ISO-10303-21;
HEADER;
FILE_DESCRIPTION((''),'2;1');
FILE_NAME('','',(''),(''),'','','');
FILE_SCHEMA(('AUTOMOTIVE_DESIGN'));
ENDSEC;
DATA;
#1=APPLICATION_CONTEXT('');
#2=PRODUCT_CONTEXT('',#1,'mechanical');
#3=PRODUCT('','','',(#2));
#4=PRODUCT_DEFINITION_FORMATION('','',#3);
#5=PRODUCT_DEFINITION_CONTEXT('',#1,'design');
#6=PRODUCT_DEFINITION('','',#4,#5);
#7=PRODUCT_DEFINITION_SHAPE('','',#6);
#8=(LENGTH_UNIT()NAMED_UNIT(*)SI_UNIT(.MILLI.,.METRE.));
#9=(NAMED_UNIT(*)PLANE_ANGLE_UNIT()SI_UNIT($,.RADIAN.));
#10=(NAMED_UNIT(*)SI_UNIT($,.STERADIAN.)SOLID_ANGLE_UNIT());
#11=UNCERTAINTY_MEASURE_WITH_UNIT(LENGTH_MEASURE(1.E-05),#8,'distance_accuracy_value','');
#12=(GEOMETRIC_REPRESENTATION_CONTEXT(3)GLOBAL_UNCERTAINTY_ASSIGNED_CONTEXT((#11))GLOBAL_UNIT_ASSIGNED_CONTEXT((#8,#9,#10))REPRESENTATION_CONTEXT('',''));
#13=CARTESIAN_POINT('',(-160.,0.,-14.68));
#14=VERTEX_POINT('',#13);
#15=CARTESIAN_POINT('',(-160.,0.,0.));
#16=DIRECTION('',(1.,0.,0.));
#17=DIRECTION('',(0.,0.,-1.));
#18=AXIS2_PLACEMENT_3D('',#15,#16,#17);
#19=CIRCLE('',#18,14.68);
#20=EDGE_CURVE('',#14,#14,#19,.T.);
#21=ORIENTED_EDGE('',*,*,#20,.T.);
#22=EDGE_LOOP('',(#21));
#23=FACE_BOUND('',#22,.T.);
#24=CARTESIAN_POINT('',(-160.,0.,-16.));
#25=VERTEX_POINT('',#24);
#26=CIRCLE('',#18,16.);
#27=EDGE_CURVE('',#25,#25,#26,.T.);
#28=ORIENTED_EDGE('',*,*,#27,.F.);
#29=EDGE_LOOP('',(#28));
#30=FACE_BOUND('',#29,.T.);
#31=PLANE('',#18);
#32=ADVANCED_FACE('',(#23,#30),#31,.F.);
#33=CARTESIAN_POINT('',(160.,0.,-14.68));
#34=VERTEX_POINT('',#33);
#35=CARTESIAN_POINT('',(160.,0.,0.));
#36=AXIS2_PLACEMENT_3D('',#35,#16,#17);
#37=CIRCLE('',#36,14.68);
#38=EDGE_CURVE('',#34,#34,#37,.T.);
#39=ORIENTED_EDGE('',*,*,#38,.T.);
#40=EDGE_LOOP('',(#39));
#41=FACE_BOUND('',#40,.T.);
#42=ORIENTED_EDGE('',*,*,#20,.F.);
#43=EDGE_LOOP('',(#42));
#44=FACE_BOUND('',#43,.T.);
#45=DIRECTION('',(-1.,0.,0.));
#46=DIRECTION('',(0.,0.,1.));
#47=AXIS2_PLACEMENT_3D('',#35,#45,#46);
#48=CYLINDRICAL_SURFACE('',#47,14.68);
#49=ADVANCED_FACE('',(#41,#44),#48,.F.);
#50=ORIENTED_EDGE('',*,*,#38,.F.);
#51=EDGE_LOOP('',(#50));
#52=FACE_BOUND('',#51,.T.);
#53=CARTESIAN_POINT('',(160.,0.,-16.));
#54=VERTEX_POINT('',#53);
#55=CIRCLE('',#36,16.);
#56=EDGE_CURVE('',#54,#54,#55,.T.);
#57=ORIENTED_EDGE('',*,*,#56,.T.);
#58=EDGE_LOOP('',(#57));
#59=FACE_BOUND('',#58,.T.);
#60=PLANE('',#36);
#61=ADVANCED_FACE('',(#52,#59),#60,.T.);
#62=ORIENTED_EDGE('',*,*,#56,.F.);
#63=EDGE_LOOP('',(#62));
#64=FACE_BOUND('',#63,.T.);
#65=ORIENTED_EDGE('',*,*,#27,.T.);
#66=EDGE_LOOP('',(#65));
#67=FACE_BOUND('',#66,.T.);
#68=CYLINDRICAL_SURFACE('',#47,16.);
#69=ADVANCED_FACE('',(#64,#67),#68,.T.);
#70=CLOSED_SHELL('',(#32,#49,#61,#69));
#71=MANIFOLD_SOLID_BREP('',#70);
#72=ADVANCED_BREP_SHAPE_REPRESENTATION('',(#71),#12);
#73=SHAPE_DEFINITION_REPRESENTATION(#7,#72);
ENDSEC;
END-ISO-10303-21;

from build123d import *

# Parameters (mm, degrees)
SKETCH1_R           = 16
SKETCH1_R_2         = 14.68
BOSS_EXTRUDE1_DEPTH = 160


with BuildPart() as part:
    # Sketch1 → Boss-Extrude1 (new body, symmetric)
    with BuildSketch(Plane(origin=(0, 0, 0), x_dir=(0, 0, -1), z_dir=(1, 0, 0))):
        Circle(SKETCH1_R)
        Circle(SKETCH1_R_2, mode=Mode.SUBTRACT)
    extrude(amount=BOSS_EXTRUDE1_DEPTH, both=True)


solid = part.part
